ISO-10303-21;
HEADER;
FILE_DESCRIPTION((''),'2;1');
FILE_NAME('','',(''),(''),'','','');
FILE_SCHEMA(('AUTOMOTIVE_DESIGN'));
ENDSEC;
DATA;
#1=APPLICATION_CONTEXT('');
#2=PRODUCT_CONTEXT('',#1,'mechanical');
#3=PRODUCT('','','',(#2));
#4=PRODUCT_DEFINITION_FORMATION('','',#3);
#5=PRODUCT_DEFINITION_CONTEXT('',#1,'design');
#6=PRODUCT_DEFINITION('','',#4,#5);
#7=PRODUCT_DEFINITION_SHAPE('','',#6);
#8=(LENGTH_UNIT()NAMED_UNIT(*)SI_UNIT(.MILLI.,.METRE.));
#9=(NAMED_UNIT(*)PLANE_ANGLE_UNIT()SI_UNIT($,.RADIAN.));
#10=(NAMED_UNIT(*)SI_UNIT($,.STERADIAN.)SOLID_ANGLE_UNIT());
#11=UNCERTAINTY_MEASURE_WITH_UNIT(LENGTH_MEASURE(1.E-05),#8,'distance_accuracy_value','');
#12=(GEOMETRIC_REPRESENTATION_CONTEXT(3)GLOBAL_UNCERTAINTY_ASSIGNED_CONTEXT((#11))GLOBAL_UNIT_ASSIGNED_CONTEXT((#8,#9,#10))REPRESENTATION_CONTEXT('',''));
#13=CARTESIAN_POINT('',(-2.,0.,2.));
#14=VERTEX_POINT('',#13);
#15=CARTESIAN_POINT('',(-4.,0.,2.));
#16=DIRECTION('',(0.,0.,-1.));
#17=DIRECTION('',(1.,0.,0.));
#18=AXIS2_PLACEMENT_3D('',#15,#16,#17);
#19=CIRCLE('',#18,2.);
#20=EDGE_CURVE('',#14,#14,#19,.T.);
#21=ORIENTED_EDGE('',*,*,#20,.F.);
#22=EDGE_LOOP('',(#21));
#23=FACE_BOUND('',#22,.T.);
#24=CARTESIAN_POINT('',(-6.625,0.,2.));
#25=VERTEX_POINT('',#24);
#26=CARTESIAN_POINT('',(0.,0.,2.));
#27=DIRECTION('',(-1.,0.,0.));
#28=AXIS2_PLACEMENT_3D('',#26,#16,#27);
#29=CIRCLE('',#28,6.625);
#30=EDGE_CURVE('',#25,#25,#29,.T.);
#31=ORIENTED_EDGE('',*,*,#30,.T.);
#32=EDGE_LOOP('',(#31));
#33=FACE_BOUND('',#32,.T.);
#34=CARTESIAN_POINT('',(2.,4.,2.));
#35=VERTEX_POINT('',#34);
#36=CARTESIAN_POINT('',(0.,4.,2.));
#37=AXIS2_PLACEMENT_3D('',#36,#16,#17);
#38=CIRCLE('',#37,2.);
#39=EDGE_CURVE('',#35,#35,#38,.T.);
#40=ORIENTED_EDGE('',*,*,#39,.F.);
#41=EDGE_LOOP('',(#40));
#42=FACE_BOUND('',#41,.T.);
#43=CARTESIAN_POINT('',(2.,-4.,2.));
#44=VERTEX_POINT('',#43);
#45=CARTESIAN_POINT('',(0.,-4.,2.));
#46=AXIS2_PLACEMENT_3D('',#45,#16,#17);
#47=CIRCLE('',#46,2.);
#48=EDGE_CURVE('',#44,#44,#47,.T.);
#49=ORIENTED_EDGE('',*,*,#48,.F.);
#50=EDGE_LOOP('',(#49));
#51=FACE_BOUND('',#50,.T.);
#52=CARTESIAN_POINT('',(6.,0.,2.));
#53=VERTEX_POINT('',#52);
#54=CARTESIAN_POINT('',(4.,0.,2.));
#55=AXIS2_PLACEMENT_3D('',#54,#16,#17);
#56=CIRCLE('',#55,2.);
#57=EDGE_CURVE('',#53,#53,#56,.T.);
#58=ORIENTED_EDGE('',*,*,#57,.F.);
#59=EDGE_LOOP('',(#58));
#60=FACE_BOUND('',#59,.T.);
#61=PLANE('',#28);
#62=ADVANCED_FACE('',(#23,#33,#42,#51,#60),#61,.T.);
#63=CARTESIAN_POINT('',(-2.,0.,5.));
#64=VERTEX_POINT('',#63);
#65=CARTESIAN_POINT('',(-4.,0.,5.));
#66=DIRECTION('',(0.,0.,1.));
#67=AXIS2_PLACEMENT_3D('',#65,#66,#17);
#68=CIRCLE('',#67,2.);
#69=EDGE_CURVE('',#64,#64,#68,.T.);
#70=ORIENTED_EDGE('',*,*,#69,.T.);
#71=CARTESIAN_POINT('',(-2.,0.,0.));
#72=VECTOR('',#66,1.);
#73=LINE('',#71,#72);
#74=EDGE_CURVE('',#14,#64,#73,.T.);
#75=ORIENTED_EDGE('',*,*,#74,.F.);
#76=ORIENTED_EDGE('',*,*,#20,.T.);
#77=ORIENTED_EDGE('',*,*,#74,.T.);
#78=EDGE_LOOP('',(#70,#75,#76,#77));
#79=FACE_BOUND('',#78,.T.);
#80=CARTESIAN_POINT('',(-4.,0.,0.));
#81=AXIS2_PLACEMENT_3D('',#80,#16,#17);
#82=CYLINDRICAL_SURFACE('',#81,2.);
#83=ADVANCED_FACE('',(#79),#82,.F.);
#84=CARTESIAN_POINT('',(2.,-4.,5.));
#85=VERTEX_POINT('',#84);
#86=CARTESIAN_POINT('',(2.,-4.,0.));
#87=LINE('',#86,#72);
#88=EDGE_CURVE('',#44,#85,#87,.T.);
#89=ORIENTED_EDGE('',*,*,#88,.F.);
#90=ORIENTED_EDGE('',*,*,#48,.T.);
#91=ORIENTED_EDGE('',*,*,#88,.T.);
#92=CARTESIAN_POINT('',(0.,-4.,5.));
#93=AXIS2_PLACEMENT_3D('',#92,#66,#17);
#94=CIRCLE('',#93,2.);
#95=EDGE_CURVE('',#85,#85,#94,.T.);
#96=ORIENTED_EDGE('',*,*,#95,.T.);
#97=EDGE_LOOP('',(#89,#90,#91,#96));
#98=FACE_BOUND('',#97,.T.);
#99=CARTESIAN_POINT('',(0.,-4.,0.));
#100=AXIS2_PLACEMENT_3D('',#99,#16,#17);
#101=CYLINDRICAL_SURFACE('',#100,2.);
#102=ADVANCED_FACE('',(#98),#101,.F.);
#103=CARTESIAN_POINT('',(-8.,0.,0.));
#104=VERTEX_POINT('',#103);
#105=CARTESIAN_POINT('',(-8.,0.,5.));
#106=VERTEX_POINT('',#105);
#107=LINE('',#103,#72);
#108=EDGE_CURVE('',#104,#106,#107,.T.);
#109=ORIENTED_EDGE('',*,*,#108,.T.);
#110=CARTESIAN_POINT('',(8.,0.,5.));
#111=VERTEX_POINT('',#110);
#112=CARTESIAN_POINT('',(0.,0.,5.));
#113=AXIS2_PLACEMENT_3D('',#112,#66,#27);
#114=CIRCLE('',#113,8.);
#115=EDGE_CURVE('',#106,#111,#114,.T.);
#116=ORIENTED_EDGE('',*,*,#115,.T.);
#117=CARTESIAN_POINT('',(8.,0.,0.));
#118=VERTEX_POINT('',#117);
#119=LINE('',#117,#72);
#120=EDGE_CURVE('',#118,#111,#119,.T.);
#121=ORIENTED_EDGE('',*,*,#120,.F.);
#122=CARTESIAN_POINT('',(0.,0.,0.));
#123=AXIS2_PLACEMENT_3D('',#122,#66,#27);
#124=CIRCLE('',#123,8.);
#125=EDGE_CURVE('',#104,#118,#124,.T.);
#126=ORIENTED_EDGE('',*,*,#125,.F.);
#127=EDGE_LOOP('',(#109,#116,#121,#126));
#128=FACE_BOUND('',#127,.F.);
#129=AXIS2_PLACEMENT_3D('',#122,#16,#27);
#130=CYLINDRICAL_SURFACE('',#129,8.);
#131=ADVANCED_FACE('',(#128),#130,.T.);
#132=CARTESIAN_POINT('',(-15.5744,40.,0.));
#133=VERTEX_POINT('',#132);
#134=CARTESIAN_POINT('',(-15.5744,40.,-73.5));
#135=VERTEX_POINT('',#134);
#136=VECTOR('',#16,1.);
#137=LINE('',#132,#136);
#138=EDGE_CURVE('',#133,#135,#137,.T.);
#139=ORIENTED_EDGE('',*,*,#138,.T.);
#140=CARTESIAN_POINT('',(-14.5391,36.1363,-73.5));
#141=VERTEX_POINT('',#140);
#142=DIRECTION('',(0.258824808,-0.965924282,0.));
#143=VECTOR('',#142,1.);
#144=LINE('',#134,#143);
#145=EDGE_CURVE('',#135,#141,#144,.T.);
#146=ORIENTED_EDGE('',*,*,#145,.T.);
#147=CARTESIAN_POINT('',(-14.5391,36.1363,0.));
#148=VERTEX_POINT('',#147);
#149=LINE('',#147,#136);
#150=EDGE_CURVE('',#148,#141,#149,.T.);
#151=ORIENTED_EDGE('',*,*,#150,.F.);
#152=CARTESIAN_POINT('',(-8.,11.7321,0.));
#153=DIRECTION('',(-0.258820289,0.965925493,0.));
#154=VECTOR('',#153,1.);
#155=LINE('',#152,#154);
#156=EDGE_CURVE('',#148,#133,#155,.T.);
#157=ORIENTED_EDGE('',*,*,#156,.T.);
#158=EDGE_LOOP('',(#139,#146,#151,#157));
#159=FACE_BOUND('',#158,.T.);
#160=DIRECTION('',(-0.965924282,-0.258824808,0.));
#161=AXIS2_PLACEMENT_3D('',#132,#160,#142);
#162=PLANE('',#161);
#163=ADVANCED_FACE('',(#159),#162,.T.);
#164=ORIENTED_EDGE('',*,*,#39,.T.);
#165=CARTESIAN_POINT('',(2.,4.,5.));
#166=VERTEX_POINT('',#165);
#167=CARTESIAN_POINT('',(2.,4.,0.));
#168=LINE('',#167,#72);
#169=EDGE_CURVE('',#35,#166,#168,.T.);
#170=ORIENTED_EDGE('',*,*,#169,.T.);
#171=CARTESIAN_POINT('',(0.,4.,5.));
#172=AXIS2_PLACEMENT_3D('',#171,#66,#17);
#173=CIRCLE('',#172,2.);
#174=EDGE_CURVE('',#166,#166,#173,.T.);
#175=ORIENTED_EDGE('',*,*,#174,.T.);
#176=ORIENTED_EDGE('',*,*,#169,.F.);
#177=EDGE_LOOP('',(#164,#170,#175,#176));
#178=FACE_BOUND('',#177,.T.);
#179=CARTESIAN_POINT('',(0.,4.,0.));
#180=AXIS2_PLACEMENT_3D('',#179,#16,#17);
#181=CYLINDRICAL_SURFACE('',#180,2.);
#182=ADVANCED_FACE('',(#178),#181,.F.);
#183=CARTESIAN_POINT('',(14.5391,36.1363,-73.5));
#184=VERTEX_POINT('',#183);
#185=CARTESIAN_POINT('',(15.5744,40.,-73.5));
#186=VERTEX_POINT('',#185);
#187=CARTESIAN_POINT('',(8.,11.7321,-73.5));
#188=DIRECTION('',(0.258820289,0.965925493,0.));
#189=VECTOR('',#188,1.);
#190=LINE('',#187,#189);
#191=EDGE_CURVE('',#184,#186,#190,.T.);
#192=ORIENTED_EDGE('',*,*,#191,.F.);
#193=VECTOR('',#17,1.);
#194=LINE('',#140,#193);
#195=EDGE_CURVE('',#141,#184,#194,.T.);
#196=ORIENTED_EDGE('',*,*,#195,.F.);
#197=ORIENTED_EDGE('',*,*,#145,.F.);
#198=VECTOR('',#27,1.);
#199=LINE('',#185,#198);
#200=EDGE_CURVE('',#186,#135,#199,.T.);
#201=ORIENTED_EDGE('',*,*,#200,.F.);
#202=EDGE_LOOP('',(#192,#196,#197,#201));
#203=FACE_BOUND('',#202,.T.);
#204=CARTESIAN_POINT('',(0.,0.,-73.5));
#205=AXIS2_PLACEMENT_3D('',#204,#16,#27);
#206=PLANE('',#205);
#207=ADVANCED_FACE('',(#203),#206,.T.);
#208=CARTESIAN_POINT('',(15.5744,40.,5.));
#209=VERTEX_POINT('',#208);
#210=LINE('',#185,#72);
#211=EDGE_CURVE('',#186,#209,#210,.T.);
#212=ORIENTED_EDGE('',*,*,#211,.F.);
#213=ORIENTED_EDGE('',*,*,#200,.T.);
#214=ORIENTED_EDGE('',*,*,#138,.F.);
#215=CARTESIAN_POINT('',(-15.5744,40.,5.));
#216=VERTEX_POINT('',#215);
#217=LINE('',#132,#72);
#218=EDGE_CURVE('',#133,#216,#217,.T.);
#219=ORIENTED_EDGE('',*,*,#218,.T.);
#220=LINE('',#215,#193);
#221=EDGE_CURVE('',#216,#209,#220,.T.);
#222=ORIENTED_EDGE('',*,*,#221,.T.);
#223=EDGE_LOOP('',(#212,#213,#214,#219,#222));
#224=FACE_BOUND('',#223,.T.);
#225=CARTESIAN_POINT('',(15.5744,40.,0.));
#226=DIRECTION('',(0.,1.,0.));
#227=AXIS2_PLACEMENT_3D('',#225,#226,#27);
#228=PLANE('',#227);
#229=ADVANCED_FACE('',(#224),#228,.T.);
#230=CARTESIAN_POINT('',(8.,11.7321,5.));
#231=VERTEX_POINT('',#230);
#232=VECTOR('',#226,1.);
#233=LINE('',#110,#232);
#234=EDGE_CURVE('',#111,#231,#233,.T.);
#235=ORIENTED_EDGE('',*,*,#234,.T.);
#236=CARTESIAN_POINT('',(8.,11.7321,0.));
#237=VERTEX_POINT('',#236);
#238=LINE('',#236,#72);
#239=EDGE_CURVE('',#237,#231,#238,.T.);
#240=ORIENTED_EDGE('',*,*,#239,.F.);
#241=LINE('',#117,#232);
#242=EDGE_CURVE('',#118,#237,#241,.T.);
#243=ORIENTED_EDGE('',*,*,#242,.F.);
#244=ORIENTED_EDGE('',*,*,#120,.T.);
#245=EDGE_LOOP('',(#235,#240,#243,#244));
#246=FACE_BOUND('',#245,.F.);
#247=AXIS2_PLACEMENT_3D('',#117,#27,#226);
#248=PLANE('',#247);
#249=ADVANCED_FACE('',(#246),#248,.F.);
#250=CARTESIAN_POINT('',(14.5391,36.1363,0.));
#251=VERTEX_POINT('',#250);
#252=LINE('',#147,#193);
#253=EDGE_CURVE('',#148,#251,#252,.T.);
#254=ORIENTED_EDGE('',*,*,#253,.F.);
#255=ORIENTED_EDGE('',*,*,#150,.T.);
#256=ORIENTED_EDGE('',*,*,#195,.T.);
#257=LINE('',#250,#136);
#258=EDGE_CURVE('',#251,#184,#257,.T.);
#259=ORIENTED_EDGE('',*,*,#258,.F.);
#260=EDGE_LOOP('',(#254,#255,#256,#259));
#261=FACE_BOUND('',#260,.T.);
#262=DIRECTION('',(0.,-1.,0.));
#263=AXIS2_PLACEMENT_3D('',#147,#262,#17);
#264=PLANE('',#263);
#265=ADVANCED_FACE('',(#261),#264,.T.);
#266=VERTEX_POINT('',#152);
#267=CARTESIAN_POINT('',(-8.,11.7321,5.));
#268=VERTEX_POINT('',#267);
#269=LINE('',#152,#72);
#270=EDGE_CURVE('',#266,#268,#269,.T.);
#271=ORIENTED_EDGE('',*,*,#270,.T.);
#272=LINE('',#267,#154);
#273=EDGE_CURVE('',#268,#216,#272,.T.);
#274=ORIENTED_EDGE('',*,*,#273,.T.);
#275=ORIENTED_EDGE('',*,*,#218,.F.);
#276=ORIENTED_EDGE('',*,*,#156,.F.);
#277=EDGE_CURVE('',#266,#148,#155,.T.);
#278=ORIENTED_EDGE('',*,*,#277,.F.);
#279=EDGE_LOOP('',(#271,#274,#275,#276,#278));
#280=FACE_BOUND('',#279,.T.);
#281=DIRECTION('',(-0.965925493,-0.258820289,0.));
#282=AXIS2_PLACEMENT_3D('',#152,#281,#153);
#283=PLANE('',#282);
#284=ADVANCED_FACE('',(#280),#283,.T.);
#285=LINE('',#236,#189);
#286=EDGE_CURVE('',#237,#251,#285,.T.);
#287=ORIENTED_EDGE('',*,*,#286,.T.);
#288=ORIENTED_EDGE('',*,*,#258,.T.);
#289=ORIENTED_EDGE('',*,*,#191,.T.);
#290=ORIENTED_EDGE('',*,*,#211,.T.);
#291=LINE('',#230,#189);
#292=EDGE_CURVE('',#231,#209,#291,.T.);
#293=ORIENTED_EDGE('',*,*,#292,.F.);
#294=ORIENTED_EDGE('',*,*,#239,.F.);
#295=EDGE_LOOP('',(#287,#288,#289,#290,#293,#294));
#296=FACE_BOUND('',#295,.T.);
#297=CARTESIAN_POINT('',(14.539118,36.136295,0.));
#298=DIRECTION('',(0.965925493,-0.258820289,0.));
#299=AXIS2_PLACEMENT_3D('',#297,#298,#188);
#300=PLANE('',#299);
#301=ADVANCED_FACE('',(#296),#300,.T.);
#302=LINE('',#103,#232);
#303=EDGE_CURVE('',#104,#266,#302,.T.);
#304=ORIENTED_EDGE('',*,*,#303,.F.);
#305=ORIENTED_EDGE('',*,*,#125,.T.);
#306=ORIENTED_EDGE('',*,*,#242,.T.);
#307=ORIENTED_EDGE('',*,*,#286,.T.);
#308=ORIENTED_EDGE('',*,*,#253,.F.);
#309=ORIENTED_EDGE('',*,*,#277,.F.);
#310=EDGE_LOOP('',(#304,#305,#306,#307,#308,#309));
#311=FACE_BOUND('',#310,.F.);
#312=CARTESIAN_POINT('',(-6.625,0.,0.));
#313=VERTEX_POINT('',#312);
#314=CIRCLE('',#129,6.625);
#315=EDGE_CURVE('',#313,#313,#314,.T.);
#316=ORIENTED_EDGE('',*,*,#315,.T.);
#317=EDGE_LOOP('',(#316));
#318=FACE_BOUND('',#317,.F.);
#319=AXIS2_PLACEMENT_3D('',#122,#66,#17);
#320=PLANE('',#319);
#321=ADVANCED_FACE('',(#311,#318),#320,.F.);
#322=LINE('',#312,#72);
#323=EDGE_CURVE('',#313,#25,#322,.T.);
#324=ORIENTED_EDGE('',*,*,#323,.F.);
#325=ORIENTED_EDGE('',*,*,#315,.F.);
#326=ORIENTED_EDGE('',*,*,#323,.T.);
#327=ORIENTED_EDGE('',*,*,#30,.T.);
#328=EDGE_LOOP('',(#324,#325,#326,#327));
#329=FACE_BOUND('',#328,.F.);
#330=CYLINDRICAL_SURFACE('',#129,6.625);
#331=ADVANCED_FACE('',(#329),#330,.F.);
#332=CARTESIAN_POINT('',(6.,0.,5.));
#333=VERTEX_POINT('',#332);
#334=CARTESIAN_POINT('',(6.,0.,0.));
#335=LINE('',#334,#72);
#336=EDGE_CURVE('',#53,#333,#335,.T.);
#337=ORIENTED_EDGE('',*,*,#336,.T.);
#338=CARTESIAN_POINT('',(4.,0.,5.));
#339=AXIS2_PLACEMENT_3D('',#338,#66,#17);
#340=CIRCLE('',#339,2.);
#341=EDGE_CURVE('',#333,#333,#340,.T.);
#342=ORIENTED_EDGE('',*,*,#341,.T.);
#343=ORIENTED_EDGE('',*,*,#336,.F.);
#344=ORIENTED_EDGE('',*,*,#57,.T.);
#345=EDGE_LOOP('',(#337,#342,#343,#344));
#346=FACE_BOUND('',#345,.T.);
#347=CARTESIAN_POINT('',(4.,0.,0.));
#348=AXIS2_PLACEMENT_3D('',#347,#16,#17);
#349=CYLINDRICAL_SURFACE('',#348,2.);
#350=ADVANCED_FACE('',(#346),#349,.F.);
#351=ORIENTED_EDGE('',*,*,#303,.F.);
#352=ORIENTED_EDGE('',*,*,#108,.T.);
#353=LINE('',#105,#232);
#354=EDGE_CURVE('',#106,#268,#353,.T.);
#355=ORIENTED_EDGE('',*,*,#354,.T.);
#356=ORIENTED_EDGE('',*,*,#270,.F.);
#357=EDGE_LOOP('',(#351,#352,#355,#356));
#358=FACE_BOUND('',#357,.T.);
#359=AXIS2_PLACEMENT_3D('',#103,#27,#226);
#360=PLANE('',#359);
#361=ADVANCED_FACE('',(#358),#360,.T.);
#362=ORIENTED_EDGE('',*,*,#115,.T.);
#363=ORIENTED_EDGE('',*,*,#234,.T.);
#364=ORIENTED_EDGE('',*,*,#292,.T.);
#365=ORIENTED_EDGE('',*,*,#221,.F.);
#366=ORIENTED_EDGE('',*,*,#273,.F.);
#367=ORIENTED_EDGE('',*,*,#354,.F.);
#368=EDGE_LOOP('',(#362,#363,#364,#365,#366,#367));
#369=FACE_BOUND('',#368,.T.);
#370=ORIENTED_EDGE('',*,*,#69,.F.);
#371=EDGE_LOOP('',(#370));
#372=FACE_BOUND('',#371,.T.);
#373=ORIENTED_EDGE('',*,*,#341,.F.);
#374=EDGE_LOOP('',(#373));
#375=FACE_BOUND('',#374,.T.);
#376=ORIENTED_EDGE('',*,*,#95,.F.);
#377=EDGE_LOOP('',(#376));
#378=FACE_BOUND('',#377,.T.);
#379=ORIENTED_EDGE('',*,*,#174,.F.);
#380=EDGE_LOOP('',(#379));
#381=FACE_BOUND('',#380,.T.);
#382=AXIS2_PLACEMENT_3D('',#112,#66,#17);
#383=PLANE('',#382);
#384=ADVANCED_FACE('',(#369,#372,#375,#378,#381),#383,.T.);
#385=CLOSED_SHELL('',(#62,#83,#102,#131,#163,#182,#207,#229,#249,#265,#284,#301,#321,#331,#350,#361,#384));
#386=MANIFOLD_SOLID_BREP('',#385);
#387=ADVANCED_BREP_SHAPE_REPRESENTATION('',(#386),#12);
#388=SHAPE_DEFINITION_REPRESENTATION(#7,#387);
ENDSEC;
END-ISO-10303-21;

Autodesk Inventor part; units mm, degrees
ref_plane "YZ Plane" through (0, 0, 0) normal (1, 0, 0) x (0, 1, 0)
ref_plane "XZ Plane" through (0, 0, 0) normal (0, 1, 0) x (-1, 0, 0)
ref_plane "XY Plane" through (0, 0, 0) normal (0, 0, 1) x (1, 0, 0)
sketch "Sketch1" plane through (0, 0, 0) normal (0, 0, 1) x (1, 0, 0)
  circle A0 centre (0, 4) radius 2
  circle A1 centre (-4, 0) radius 2
  circle A2 centre (0, -4) radius 2
  circle A3 centre (4, 0) radius 2
  line L0 (7, 40) -> (-7, 40)
  line L1 (8, 11.7321) -> (15.5744, 40)
  line L2 (7, 8) -> (40.1288, 8) construction
  line L3 (15.5744, 40) -> (7, 40)
  line L4 (-8, 11.7321) -> (-15.5744, 40)
  line L5 (-15.5744, 40) -> (-7, 40)
  line L6 (8, 0) -> (8, 11.7321)
  line L7 (-8, 0) -> (-8, 11.7321)
  arc A4 (-8, 0) -> (8, 0) centre (0, 0) ccw
  dimension "d2" = 4
  dimension "d5" = 360
extrude "Extrusion1" add sketch "Sketch1" along normal blind 5
sketch "Sketch2" plane through (0, 0, 0) normal (0, 0, -1) x (-1, 0, 0)
  circle A0 centre (0, 0) radius 6.625
  dimension "d18" = 13.25
extrude "Extrusion2" cut sketch "Sketch2" against normal blind 2
sketch "Sketch3" plane through (0, 0, 0) normal (0, 0, -1) x (-1, 0, 0)
  line L0 (-8, 11.7321) -> (-15.5744, 40) projected
  line L1 (-15.5744, 40) -> (15.5744, 40) projected
  line L2 (-15.5744, 40) -> (15.5744, 40)
  line L3 (15.5744, 40) -> (14.5391, 36.1363)
  line L4 (15.5744, 40) -> (8, 11.7321) projected
  line L5 (14.5391, 36.1363) -> (-14.5391, 36.1363)
  line L6 (-14.5391, 36.1363) -> (-15.5744, 40)
  point P0 (0, 0)
  dimension "d21" = 4
extrude "Extrusion3" add sketch "Sketch3" along normal blind 73.5
properties part number "OutPut_Shaft_From_Gearbox"
